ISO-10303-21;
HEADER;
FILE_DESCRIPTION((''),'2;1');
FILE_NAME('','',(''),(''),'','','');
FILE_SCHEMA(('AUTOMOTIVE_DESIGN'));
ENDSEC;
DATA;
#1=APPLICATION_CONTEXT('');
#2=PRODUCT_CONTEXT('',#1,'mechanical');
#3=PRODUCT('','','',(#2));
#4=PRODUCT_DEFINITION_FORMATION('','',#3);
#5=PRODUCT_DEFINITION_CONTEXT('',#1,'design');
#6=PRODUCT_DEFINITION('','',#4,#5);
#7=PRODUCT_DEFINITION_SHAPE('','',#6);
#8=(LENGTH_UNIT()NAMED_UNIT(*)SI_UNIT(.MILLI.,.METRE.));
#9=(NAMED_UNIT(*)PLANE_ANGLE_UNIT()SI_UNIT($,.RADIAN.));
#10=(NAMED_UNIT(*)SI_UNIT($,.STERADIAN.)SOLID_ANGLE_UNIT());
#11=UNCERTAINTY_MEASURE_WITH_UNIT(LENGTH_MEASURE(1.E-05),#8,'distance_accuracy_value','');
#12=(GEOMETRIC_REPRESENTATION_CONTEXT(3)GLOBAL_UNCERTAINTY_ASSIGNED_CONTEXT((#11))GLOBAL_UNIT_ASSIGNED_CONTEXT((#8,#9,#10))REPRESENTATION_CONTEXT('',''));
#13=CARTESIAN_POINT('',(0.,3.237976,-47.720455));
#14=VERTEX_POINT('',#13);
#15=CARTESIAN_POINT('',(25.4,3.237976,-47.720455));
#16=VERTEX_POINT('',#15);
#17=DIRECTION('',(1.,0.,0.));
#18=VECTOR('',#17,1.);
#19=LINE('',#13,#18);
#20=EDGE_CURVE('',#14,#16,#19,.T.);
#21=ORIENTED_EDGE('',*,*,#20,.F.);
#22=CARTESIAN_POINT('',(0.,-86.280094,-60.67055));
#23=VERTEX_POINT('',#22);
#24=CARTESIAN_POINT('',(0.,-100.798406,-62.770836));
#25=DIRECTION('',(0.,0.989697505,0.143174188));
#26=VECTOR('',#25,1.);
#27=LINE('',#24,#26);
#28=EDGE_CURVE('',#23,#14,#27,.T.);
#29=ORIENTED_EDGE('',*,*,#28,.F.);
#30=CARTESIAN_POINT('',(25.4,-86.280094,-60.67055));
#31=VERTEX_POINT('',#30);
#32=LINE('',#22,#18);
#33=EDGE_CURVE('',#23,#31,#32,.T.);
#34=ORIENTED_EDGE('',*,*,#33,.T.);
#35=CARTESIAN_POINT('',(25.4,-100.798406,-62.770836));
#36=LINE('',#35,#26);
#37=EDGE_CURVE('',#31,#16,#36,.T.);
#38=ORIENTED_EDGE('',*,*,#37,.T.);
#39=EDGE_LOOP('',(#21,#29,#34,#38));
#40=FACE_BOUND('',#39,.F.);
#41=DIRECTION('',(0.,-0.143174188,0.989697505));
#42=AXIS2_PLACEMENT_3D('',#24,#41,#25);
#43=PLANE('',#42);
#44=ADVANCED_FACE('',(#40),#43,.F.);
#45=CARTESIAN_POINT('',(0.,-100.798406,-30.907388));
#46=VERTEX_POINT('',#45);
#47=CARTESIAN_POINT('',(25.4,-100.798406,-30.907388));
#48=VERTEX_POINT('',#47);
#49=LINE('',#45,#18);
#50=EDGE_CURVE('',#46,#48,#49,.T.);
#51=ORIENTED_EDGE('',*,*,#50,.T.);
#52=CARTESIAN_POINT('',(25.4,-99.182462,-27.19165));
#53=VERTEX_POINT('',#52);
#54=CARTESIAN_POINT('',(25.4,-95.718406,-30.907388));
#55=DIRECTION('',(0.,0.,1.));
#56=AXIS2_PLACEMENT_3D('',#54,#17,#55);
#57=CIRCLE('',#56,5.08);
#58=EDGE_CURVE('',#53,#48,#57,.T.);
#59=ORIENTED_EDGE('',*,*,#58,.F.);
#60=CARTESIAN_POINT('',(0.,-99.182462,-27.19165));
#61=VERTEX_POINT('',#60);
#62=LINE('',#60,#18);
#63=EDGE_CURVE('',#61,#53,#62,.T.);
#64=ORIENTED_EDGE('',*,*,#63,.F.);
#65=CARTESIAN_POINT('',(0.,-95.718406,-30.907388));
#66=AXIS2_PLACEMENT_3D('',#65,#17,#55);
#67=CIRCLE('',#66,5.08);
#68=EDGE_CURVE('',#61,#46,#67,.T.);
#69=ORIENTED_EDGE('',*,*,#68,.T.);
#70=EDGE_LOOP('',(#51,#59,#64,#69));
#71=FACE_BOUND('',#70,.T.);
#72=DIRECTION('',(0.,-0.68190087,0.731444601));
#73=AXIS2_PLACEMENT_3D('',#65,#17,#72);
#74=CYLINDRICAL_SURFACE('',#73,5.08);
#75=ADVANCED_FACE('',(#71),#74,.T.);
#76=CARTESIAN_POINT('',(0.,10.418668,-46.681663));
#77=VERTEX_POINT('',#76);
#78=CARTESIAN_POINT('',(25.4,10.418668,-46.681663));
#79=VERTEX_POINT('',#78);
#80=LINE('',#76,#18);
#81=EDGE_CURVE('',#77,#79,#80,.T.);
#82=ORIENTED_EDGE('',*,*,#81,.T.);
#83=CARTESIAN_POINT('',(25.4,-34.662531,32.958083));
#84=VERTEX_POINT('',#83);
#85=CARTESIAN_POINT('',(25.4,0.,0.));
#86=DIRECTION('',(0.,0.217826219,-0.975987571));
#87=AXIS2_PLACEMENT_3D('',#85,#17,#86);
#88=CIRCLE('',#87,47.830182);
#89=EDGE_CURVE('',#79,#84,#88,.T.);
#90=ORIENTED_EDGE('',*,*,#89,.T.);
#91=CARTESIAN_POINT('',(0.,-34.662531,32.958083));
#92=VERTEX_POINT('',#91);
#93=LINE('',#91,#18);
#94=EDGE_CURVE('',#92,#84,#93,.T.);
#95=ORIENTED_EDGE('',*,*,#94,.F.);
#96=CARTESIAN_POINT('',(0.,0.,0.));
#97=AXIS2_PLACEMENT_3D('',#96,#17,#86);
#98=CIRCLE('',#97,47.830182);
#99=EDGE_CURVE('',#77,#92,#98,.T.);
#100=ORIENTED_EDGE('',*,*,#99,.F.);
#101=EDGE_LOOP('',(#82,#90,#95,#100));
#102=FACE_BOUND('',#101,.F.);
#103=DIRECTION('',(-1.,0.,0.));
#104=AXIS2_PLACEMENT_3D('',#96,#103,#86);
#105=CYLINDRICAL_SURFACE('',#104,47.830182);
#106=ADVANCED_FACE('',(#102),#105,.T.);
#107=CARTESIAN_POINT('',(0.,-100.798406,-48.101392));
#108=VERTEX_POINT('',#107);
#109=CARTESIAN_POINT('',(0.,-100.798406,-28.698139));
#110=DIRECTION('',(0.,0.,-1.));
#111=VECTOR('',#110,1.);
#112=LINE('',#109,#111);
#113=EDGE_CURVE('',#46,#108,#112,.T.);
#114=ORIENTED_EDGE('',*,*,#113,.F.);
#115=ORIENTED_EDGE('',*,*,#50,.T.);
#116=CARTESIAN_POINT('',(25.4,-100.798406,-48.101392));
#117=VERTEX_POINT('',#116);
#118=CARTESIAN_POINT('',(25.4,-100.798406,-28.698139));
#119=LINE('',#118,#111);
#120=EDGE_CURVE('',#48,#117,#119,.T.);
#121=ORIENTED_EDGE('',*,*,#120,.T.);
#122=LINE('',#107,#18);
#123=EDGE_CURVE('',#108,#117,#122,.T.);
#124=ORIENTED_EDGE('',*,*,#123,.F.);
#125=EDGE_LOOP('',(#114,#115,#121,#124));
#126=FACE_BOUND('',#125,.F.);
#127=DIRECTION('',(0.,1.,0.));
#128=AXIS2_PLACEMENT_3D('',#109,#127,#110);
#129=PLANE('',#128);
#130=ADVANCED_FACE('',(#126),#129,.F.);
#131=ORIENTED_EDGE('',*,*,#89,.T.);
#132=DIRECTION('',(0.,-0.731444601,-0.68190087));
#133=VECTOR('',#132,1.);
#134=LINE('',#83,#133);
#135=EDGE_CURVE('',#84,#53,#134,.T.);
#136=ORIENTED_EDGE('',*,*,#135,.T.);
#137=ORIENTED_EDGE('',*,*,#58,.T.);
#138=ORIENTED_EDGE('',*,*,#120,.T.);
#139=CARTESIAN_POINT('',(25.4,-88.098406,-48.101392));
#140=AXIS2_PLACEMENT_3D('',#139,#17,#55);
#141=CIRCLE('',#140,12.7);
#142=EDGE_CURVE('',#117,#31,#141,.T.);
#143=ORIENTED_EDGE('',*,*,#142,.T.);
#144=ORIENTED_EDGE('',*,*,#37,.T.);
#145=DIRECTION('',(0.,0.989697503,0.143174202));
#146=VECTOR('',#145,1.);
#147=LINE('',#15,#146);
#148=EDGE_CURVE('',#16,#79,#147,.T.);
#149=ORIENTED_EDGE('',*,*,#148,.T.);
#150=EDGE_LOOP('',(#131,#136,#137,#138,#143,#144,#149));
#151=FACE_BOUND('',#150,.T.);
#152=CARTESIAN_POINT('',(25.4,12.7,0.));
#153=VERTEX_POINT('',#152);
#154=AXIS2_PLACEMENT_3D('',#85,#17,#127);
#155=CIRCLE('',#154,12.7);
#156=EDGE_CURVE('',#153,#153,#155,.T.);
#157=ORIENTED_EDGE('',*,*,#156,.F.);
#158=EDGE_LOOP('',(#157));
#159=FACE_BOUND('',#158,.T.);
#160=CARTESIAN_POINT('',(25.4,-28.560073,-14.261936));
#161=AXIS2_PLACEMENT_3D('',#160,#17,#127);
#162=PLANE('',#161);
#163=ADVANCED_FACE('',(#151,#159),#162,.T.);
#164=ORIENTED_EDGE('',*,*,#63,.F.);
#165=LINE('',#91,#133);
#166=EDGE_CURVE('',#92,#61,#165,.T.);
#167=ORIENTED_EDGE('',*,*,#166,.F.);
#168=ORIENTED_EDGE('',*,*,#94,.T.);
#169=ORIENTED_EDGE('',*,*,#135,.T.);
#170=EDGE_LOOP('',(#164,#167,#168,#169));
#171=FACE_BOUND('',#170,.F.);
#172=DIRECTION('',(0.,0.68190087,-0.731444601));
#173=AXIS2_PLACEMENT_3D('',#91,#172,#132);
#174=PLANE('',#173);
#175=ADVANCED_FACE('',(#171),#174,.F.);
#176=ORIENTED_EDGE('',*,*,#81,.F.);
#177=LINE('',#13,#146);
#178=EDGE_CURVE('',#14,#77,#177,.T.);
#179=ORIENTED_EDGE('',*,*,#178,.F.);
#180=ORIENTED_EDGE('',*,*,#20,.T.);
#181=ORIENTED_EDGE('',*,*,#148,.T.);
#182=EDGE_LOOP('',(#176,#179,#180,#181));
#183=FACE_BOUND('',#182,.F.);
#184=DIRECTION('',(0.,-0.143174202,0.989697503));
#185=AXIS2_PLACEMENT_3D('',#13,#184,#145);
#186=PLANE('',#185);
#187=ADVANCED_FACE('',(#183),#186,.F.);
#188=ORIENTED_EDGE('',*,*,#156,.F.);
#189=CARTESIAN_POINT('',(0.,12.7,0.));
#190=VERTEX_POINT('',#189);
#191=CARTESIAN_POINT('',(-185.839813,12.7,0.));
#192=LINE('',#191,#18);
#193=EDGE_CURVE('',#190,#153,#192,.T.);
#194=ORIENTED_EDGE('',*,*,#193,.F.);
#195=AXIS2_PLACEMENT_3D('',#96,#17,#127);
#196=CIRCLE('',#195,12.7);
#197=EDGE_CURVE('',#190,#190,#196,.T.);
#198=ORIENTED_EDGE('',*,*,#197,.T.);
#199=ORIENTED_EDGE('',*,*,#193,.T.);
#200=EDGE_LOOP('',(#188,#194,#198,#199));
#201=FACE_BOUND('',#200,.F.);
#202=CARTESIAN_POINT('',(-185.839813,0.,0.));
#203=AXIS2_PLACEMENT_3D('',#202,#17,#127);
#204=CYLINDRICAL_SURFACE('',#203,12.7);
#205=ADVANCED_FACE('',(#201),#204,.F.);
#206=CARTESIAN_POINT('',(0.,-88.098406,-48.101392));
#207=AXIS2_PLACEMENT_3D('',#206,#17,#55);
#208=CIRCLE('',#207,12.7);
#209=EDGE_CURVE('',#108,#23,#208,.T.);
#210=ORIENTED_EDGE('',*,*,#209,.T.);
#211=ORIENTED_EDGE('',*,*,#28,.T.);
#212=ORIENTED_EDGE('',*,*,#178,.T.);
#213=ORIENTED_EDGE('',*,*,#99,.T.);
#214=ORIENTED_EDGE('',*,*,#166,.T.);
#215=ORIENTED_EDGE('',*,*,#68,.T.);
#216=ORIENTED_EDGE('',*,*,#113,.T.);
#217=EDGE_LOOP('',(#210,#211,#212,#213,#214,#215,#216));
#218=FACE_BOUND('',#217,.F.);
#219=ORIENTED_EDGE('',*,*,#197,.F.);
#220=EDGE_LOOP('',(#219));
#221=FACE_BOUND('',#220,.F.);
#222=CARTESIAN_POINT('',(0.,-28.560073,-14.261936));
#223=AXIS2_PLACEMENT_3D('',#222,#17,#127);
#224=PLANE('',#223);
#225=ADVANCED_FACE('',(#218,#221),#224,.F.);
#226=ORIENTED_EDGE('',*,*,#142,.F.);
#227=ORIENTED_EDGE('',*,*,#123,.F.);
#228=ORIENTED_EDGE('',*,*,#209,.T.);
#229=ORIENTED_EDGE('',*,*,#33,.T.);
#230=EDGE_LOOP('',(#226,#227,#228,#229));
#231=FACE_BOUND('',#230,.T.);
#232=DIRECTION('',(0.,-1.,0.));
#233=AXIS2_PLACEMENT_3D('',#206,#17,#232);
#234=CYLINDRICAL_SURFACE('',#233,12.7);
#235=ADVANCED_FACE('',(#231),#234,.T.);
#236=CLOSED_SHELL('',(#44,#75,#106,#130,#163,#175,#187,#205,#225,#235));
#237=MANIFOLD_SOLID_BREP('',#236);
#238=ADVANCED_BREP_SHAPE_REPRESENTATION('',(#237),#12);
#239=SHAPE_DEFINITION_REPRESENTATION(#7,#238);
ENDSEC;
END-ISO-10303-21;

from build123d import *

# Parameters (mm, degrees)
F1_DEPTH = 25.4
F2_R     = 5.08
F3_R     = 12.7
F5_D     = 25.4


with BuildPart() as f1:
    # F0 (on Right) → F1 (new body)
    with BuildSketch(Plane.YZ):
        with BuildLine():
            Line((-100.798406, -62.770836), (3.237976, -47.720455))
            Line((3.237976, -47.720455), (10.418668, -46.681663))
            ThreePointArc((10.418668, -46.681663), (41.624074, 23.561893), (-34.662531, 32.958083))
            Line((-34.662531, 32.958083), (-100.798406, -28.698139))
            Line((-100.798406, -28.698139), (-100.798406, -62.770836))
        make_face()
    extrude(amount=F1_DEPTH)

    # F2
    f2_edges = [f1.edges().sort_by_distance(p)[0] for p in [
        (12.7, -100.798406, -28.698139),
    ]]
    fillet(f2_edges, radius=F2_R)

    # F3
    f3_edges = [f1.edges().sort_by_distance(p)[0] for p in [
        (12.7, -100.798406, -62.770836),
    ]]
    fillet(f3_edges, radius=F3_R)

    # F5 (through all)
    with Locations(Plane(origin=(0, 0, 0), x_dir=(0, -1, 0), z_dir=(-1, 0, 0))):
        with Locations((0, 0)):
            Hole(F5_D / 2)


solid = f1.part
